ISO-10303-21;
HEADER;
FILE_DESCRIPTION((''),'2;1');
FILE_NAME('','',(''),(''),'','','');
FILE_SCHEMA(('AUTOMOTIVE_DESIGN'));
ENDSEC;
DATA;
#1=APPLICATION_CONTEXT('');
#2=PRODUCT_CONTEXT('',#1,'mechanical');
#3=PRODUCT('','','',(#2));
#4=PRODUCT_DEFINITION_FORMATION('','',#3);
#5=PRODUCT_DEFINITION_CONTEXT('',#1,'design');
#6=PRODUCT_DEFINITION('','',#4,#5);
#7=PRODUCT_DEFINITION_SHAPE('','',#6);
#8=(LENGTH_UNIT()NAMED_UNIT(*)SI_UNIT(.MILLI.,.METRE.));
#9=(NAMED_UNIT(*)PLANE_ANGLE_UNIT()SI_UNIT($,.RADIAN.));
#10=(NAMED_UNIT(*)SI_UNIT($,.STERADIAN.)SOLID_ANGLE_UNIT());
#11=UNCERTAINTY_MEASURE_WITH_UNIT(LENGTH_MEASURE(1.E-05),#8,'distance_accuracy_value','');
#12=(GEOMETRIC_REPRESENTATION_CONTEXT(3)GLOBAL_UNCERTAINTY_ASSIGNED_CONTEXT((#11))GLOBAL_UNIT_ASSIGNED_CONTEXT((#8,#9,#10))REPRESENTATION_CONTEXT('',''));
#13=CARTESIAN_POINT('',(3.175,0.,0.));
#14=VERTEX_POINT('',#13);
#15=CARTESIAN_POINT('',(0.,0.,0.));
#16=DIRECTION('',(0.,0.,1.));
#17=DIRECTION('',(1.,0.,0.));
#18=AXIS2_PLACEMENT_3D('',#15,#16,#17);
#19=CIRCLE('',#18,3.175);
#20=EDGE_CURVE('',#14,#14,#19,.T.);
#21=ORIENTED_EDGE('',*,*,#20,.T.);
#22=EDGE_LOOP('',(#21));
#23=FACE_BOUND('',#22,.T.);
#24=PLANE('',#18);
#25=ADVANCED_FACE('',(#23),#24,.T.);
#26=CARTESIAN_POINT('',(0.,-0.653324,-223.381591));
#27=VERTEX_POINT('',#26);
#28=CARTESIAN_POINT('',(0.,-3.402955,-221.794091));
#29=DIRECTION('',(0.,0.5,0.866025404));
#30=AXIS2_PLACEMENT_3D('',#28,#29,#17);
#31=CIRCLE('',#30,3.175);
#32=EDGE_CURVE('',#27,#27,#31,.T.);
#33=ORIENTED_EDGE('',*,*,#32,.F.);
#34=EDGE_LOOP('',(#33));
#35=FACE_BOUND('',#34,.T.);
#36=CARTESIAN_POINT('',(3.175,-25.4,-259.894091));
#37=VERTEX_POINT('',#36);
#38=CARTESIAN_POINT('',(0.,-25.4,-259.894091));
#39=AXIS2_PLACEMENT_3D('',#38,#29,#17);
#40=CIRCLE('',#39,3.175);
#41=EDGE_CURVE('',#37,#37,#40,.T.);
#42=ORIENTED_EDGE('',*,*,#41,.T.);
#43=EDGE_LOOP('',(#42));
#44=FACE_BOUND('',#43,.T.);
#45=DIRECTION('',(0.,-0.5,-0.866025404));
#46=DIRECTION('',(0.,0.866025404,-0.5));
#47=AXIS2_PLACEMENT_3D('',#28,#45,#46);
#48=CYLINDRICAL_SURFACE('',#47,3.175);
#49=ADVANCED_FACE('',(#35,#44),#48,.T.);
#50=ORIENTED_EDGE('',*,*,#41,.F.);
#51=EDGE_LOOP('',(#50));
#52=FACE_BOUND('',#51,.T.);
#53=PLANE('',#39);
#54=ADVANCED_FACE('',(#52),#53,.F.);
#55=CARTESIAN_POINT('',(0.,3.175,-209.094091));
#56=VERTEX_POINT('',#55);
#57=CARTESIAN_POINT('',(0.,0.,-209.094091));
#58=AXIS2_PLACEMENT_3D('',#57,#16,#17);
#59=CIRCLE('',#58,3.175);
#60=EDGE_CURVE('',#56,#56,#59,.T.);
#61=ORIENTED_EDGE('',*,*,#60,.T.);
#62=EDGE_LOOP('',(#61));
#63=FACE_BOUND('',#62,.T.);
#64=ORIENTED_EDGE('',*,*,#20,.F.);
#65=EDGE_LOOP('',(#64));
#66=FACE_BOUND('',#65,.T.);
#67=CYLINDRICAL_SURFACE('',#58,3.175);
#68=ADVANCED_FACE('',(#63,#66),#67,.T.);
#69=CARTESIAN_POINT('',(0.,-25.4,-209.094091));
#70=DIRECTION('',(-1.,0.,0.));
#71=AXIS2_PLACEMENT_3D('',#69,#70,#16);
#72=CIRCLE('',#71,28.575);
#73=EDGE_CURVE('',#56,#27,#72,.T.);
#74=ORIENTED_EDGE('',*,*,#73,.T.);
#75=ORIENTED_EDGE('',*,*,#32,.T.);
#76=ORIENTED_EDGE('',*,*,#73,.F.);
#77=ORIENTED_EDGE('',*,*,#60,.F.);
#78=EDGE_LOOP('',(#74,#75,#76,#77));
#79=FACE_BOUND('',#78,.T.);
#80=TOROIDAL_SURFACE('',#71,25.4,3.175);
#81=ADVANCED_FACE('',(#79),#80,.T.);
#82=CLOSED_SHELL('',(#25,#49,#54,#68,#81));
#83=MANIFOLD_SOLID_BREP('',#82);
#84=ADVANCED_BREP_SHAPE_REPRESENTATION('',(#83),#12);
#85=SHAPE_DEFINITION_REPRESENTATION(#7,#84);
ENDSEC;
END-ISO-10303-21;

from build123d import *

# Parameters (mm, degrees)
SKETCH2_R = 3.175


with BuildPart() as part:
    # Sweep1: sweep along a path in Sketch4
    with BuildLine(Plane(origin=(0, 0, 0), x_dir=(0, 0, -1), z_dir=(1, 0, 0))) as sweep1_path:
        Line((0, 0), (209.094090512, 0))
        ThreePointArc((209.094090512, 0), (215.668094258, -0.865484012), (221.794090512, -3.402954744))
        Line((221.794090512, -3.402954744), (259.894090512, -25.4))
    # Sketch2 → Sweep1 (sweep)
    with BuildSketch(Plane.XY):
        Circle(SKETCH2_R)
    sweep(path=sweep1_path.line)


solid = part.part
